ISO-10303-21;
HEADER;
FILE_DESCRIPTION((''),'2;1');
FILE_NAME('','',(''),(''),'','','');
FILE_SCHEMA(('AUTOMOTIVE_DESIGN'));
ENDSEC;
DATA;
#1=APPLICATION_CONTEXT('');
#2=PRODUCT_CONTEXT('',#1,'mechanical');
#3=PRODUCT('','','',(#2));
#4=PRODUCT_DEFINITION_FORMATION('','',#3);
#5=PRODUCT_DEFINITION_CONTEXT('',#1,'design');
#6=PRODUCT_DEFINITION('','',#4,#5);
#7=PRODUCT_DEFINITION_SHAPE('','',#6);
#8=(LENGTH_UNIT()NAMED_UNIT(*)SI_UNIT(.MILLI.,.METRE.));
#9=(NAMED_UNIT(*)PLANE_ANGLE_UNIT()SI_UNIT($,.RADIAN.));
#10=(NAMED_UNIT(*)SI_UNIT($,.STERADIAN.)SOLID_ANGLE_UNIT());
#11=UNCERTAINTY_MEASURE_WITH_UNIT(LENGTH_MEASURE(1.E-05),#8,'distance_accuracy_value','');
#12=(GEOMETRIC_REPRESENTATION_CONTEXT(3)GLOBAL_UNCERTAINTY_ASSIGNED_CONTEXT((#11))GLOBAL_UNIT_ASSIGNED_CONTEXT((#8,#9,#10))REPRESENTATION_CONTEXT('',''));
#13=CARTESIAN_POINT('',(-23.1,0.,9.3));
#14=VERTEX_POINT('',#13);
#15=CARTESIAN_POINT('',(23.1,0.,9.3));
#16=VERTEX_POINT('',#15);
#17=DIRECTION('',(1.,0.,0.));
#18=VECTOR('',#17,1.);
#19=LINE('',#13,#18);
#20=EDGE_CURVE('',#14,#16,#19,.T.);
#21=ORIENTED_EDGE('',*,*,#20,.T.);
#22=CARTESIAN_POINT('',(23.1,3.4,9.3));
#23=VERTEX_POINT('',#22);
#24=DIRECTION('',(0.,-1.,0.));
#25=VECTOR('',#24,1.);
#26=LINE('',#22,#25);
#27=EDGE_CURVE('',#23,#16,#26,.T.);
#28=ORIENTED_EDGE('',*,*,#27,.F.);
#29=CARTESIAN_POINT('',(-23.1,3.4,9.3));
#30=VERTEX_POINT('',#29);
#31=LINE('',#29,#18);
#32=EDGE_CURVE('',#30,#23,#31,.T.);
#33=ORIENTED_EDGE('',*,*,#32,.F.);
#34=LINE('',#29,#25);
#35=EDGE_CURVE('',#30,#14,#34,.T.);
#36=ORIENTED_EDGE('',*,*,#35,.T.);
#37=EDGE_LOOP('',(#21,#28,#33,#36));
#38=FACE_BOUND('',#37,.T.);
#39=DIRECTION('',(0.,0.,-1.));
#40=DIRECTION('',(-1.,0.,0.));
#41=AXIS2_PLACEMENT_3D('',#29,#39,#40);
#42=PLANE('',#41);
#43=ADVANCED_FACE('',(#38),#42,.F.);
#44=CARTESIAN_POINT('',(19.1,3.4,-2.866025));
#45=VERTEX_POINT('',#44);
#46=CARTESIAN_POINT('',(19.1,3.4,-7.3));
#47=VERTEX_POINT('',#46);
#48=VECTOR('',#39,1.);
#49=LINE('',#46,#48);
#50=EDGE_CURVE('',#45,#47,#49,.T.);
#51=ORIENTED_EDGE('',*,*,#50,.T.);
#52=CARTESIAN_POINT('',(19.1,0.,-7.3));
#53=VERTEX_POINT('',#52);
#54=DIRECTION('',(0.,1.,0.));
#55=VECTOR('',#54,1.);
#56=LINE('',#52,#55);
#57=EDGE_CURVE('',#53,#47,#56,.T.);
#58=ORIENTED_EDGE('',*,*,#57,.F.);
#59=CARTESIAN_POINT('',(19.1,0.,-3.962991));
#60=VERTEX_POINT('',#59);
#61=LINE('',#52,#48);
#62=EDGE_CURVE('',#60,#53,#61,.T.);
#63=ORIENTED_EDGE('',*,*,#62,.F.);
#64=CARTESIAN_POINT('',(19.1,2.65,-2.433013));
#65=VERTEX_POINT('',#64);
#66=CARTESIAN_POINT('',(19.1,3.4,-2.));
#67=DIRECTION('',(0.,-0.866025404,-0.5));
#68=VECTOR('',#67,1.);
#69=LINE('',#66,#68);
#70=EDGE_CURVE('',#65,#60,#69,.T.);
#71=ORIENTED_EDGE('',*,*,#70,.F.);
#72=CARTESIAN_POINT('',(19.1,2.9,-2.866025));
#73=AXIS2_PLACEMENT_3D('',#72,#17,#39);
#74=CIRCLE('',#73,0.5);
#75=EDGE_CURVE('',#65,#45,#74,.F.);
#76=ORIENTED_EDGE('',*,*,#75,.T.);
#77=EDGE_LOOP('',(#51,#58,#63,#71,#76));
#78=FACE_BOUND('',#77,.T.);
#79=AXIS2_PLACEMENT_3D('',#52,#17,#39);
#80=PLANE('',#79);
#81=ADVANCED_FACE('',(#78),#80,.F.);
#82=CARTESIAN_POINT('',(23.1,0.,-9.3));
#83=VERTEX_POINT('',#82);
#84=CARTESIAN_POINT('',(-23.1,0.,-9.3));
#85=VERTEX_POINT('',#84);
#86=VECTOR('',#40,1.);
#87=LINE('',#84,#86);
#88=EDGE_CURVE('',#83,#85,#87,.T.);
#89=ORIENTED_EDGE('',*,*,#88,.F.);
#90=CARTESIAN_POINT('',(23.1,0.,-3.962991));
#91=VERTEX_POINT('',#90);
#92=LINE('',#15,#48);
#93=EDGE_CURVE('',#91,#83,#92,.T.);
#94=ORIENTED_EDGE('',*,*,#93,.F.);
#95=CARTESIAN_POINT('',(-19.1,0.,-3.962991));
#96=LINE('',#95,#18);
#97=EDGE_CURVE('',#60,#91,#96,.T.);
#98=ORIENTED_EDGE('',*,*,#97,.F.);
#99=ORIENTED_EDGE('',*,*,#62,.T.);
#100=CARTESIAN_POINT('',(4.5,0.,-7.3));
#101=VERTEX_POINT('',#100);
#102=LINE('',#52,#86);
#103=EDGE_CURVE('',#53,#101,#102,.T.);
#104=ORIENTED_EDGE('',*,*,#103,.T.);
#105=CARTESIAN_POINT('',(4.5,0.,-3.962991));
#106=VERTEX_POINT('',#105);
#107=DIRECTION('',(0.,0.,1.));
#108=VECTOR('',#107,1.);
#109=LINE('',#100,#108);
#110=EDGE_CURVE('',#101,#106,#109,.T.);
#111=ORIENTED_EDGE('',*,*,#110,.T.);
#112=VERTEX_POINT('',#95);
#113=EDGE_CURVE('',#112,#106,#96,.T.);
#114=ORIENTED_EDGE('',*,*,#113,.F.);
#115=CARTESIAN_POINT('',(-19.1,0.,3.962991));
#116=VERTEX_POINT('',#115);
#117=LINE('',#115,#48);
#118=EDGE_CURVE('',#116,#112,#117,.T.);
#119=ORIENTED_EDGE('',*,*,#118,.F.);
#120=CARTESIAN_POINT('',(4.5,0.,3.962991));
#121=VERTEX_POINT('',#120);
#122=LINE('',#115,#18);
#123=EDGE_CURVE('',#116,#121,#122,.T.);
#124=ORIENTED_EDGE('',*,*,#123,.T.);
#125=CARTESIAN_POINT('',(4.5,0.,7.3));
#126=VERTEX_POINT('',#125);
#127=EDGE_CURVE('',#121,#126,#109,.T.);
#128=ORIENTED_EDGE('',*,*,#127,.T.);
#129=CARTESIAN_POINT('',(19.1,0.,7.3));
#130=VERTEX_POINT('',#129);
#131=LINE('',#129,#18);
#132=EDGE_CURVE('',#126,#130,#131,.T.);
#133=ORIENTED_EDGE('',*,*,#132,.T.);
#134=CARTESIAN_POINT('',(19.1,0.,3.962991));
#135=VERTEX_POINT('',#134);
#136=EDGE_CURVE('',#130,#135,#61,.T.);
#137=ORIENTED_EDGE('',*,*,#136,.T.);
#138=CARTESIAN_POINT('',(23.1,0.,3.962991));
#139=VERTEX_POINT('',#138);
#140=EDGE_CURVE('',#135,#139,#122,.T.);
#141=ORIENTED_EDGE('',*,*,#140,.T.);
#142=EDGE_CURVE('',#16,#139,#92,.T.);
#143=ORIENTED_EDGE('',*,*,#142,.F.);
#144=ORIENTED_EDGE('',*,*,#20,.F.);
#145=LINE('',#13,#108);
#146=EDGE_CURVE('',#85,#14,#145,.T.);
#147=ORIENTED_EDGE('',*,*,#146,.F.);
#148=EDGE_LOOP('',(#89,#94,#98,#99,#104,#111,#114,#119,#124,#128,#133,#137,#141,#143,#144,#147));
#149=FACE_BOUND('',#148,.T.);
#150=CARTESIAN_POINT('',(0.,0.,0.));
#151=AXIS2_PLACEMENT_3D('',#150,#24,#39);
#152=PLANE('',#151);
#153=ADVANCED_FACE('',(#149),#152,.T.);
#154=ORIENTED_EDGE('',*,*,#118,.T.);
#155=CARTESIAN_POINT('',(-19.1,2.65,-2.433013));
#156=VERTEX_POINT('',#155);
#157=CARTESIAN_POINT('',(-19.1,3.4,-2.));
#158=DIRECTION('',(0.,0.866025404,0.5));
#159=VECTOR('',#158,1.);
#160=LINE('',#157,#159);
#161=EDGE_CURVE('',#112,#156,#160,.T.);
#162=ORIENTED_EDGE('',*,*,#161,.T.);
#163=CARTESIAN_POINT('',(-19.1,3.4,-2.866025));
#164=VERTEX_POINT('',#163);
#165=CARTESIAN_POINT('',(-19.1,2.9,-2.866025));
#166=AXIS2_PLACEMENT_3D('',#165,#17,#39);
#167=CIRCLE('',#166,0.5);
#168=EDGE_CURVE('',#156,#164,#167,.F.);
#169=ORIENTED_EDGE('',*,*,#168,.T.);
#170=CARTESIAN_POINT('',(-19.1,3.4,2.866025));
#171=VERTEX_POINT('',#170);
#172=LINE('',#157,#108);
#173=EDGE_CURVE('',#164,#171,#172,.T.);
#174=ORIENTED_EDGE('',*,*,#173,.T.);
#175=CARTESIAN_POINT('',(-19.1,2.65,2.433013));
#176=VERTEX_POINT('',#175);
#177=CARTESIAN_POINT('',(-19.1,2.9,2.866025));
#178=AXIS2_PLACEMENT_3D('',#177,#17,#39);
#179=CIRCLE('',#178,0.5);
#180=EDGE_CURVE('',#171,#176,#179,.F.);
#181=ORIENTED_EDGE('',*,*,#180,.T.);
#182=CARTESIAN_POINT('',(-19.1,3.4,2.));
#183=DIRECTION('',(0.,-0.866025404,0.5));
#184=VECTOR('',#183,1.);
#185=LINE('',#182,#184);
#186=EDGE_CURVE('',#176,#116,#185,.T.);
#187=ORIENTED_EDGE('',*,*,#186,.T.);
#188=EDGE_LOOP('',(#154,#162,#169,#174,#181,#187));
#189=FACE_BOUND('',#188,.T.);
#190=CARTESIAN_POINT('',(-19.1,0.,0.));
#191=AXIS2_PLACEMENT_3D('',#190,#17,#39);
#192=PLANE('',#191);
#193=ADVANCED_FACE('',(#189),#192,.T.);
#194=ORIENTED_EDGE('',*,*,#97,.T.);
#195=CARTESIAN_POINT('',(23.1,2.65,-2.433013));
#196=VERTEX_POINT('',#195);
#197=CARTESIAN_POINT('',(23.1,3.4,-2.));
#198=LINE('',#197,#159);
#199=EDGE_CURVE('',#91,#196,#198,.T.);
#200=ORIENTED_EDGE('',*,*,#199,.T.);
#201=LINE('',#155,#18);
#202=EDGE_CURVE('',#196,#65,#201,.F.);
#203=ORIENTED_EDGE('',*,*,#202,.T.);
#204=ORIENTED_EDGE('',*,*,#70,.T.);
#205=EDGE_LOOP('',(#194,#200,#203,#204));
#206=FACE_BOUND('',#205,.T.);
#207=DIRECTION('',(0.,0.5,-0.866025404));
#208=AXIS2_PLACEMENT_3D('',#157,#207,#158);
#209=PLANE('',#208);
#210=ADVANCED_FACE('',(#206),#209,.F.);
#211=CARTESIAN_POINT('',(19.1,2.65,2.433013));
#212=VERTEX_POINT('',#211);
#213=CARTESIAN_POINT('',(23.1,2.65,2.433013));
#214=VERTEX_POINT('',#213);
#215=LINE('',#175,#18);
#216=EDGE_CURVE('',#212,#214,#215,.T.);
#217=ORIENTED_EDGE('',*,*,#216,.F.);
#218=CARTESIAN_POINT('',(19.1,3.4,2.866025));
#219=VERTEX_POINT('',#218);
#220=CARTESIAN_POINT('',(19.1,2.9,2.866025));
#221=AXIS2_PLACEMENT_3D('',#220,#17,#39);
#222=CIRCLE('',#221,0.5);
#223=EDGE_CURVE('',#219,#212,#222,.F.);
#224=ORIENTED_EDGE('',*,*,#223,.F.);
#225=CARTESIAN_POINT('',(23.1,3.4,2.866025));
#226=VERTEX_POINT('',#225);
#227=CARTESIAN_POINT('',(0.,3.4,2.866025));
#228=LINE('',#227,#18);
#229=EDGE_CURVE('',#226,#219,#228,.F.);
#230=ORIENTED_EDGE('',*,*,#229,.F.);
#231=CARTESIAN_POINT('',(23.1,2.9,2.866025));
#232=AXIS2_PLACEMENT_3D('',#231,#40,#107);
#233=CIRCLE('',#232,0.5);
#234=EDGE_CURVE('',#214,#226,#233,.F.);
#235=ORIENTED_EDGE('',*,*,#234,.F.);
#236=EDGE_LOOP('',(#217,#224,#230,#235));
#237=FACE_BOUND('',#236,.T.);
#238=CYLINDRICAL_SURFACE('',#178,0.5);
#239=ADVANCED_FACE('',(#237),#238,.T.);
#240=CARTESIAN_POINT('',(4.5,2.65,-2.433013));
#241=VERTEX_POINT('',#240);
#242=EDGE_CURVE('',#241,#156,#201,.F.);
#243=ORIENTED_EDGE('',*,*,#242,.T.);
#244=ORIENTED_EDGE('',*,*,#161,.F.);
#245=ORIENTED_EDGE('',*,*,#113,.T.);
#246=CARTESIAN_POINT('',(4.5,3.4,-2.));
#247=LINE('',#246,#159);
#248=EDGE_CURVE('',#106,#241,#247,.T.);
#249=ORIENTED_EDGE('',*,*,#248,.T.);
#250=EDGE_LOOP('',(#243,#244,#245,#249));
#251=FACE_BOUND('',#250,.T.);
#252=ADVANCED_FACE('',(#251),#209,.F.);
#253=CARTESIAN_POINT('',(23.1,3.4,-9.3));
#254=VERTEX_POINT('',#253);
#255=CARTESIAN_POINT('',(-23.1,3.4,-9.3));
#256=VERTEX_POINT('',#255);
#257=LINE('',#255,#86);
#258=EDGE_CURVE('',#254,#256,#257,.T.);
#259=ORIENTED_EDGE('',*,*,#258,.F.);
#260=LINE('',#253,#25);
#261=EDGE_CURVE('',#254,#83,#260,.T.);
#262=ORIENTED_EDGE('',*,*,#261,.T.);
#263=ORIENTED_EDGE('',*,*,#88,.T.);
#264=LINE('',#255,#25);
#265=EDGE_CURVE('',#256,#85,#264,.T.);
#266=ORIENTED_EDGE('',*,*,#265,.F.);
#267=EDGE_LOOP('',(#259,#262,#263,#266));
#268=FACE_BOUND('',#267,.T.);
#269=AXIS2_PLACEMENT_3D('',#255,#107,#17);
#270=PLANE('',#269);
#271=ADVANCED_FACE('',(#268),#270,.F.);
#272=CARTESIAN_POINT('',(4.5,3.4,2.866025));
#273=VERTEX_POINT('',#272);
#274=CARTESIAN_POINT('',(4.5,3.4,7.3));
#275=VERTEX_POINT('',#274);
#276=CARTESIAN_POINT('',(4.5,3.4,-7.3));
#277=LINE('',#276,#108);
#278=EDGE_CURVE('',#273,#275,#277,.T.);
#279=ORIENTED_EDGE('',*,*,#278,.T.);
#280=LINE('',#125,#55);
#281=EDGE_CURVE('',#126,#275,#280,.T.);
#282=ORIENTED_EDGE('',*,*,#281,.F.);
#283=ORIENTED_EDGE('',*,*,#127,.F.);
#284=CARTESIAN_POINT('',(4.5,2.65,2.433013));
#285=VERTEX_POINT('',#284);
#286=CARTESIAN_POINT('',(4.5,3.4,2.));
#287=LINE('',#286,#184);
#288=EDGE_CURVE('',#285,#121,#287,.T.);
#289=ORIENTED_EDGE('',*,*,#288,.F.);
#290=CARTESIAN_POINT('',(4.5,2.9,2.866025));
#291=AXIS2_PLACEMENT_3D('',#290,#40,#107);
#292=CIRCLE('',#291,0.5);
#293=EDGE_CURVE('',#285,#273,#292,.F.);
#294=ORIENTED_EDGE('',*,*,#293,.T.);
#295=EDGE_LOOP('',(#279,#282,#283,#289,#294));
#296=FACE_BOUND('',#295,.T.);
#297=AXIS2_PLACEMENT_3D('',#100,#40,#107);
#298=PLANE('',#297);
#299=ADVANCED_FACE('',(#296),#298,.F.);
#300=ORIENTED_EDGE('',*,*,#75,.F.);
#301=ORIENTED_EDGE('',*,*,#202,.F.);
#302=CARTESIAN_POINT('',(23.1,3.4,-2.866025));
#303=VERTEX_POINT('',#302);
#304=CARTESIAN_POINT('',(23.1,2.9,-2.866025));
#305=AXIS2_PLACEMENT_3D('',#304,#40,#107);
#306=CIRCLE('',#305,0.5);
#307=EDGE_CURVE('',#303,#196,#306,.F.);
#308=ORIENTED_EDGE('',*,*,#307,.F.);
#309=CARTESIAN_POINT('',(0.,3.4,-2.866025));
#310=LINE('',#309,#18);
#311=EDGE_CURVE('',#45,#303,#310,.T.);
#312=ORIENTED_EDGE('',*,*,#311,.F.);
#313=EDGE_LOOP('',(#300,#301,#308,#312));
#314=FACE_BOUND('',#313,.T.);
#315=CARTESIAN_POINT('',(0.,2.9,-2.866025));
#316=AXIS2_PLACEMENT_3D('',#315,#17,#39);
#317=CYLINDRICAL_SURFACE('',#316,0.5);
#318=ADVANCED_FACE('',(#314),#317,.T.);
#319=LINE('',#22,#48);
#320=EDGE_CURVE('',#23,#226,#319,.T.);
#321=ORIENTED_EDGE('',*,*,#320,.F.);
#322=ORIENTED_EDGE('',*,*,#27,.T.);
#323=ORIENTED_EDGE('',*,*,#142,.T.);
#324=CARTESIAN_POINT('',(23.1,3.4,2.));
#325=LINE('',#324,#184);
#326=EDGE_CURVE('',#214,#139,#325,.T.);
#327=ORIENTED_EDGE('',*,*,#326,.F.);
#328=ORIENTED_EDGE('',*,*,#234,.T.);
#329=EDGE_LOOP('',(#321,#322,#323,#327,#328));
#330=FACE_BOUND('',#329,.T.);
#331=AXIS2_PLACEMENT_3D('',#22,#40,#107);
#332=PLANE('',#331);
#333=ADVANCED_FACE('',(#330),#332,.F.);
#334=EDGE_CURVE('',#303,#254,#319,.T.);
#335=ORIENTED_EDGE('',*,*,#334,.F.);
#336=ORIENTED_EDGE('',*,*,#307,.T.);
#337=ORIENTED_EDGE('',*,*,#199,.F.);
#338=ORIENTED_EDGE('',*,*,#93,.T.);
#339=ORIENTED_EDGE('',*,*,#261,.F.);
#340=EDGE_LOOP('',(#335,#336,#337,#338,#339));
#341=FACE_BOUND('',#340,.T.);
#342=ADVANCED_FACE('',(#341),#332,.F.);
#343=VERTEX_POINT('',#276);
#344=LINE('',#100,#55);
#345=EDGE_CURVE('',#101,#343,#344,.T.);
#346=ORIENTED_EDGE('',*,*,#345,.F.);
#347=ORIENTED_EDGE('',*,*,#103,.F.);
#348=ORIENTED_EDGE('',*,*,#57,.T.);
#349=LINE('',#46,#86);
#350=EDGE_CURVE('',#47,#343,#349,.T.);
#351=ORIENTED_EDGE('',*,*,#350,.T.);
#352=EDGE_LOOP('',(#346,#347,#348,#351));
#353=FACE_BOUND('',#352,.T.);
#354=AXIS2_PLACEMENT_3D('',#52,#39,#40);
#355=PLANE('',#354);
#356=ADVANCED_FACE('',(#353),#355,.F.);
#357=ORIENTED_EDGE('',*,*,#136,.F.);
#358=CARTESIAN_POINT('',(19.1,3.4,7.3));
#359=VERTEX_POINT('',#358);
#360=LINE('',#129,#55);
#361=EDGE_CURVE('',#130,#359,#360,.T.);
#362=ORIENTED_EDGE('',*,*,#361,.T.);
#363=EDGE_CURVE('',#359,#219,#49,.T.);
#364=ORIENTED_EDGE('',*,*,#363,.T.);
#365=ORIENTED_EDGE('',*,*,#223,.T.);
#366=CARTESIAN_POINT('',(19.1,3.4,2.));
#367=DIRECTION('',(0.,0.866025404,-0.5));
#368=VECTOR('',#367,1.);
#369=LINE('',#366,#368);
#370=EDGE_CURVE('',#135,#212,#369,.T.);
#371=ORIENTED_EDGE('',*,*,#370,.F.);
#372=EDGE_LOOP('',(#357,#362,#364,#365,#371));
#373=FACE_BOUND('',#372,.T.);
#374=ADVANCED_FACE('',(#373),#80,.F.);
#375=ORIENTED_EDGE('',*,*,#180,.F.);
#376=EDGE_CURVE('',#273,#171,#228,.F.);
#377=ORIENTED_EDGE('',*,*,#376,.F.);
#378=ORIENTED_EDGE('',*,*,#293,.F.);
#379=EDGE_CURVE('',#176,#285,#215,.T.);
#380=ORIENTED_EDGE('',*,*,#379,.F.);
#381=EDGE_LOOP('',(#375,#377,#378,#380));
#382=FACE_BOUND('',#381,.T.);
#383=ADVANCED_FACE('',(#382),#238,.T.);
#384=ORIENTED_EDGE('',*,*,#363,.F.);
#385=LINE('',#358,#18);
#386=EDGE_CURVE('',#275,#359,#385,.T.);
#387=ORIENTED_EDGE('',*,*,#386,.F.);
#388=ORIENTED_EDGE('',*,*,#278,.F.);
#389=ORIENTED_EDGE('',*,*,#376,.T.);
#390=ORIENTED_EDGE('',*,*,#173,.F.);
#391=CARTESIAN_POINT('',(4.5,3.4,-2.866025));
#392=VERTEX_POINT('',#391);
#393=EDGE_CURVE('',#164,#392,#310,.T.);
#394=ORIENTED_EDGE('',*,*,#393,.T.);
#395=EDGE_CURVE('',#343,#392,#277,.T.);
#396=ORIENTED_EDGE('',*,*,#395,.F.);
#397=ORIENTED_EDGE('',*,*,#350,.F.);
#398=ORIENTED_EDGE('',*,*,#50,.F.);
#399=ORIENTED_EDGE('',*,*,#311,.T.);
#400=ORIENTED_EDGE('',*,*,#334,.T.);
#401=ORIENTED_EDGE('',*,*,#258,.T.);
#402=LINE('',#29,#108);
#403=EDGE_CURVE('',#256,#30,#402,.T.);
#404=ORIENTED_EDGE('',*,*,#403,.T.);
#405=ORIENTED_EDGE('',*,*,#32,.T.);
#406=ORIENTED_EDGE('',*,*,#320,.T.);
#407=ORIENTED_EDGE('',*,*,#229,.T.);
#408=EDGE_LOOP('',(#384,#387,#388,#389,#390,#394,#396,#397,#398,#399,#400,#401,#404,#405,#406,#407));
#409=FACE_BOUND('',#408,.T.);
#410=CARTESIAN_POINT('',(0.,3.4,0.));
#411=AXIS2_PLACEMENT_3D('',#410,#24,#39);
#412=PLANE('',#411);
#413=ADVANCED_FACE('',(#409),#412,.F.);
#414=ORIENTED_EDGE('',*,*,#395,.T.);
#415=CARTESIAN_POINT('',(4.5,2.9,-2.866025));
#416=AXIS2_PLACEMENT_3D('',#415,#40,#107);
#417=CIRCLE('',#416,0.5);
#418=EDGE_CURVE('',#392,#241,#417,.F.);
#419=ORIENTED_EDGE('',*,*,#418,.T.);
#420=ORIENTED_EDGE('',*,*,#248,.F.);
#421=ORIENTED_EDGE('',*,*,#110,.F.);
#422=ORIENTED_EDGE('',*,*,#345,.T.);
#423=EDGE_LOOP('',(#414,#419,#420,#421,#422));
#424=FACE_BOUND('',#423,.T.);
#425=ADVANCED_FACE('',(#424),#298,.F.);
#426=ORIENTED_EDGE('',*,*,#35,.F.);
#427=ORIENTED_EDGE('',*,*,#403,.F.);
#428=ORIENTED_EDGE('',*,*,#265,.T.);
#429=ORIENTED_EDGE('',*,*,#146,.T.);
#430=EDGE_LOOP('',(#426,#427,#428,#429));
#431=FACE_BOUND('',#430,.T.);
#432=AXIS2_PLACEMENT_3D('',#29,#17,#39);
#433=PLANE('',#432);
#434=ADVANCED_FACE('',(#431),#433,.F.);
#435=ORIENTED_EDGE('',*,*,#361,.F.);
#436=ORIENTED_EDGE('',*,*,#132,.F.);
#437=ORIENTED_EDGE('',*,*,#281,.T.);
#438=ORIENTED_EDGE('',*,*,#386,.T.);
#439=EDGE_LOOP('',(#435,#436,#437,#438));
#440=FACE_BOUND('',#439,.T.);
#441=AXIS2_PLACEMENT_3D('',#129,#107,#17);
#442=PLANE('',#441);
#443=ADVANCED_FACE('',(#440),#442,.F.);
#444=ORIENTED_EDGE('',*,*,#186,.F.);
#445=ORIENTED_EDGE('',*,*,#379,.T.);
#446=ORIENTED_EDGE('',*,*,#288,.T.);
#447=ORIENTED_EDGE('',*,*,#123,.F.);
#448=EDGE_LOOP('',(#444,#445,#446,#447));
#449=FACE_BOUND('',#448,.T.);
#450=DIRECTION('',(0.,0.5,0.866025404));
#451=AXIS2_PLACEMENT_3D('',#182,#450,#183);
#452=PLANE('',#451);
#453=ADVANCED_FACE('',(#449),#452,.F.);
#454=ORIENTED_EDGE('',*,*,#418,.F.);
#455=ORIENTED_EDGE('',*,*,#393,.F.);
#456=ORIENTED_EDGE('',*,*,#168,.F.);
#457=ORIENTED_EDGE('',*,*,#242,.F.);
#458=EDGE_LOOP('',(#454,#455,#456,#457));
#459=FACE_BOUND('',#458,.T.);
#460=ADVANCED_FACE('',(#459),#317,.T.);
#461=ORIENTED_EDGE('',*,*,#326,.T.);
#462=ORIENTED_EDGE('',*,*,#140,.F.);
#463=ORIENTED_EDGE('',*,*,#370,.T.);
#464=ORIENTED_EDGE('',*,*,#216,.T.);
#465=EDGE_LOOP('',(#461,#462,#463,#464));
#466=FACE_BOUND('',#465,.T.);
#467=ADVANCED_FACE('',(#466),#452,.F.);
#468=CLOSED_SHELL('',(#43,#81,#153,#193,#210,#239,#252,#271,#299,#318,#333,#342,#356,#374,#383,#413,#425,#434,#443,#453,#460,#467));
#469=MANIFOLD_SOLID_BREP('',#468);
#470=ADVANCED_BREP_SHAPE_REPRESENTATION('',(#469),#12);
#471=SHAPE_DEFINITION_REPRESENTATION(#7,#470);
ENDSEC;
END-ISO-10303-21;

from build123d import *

# Parameters (mm, degrees)
SKETCH1_W           = 46.2
SKETCH1_H           = 18.6
BOSS_EXTRUDE1_DEPTH = 3.4
CUT_EXTRUDE1_DEPTH  = 42.2
SKETCH3_W           = 14.6
SKETCH3_H           = 14.6
CUT_EXTRUDE2_DEPTH  = 26.132847033
FILLET1_R           = 0.5


with BuildPart() as part:
    # Sketch1 → Boss-Extrude1 (new body)
    with BuildSketch(Plane(origin=(0, 0, 0), x_dir=(1, 0, 0), z_dir=(0, 1, 0))):
        Rectangle(SKETCH1_W, SKETCH1_H)
    extrude(amount=BOSS_EXTRUDE1_DEPTH)

    # Sketch2 → Cut-Extrude1 (cut)
    with BuildSketch(Plane(origin=(23.1, 0, 0), x_dir=(0, 0, -1), z_dir=(1, 0, 0))):
        Polygon((2, 3.4), (-2, 3.4), (-3.962990915, 0), (3.962990915, 0), align=None)
    extrude(amount=-CUT_EXTRUDE1_DEPTH, mode=Mode.SUBTRACT)

    # Sketch3 → Cut-Extrude2 (cut, through all)
    with BuildSketch(Plane(origin=(0, 3.4, 0), x_dir=(1, 0, 0), z_dir=(0, 1, 0))):
        with Locations((11.8, 0)):
            Rectangle(SKETCH3_W, SKETCH3_H)
    extrude(amount=-CUT_EXTRUDE2_DEPTH, mode=Mode.SUBTRACT)

    # Fillet1
    fillet1_edges = [part.edges().sort_by_distance(p)[0] for p in [
        (-7.3, 3.4, 2),
        (-7.3, 3.4, -2),
        (21.1, 3.4, -2),
        (21.1, 3.4, 2),
    ]]
    fillet(fillet1_edges, radius=FILLET1_R)


solid = part.part
